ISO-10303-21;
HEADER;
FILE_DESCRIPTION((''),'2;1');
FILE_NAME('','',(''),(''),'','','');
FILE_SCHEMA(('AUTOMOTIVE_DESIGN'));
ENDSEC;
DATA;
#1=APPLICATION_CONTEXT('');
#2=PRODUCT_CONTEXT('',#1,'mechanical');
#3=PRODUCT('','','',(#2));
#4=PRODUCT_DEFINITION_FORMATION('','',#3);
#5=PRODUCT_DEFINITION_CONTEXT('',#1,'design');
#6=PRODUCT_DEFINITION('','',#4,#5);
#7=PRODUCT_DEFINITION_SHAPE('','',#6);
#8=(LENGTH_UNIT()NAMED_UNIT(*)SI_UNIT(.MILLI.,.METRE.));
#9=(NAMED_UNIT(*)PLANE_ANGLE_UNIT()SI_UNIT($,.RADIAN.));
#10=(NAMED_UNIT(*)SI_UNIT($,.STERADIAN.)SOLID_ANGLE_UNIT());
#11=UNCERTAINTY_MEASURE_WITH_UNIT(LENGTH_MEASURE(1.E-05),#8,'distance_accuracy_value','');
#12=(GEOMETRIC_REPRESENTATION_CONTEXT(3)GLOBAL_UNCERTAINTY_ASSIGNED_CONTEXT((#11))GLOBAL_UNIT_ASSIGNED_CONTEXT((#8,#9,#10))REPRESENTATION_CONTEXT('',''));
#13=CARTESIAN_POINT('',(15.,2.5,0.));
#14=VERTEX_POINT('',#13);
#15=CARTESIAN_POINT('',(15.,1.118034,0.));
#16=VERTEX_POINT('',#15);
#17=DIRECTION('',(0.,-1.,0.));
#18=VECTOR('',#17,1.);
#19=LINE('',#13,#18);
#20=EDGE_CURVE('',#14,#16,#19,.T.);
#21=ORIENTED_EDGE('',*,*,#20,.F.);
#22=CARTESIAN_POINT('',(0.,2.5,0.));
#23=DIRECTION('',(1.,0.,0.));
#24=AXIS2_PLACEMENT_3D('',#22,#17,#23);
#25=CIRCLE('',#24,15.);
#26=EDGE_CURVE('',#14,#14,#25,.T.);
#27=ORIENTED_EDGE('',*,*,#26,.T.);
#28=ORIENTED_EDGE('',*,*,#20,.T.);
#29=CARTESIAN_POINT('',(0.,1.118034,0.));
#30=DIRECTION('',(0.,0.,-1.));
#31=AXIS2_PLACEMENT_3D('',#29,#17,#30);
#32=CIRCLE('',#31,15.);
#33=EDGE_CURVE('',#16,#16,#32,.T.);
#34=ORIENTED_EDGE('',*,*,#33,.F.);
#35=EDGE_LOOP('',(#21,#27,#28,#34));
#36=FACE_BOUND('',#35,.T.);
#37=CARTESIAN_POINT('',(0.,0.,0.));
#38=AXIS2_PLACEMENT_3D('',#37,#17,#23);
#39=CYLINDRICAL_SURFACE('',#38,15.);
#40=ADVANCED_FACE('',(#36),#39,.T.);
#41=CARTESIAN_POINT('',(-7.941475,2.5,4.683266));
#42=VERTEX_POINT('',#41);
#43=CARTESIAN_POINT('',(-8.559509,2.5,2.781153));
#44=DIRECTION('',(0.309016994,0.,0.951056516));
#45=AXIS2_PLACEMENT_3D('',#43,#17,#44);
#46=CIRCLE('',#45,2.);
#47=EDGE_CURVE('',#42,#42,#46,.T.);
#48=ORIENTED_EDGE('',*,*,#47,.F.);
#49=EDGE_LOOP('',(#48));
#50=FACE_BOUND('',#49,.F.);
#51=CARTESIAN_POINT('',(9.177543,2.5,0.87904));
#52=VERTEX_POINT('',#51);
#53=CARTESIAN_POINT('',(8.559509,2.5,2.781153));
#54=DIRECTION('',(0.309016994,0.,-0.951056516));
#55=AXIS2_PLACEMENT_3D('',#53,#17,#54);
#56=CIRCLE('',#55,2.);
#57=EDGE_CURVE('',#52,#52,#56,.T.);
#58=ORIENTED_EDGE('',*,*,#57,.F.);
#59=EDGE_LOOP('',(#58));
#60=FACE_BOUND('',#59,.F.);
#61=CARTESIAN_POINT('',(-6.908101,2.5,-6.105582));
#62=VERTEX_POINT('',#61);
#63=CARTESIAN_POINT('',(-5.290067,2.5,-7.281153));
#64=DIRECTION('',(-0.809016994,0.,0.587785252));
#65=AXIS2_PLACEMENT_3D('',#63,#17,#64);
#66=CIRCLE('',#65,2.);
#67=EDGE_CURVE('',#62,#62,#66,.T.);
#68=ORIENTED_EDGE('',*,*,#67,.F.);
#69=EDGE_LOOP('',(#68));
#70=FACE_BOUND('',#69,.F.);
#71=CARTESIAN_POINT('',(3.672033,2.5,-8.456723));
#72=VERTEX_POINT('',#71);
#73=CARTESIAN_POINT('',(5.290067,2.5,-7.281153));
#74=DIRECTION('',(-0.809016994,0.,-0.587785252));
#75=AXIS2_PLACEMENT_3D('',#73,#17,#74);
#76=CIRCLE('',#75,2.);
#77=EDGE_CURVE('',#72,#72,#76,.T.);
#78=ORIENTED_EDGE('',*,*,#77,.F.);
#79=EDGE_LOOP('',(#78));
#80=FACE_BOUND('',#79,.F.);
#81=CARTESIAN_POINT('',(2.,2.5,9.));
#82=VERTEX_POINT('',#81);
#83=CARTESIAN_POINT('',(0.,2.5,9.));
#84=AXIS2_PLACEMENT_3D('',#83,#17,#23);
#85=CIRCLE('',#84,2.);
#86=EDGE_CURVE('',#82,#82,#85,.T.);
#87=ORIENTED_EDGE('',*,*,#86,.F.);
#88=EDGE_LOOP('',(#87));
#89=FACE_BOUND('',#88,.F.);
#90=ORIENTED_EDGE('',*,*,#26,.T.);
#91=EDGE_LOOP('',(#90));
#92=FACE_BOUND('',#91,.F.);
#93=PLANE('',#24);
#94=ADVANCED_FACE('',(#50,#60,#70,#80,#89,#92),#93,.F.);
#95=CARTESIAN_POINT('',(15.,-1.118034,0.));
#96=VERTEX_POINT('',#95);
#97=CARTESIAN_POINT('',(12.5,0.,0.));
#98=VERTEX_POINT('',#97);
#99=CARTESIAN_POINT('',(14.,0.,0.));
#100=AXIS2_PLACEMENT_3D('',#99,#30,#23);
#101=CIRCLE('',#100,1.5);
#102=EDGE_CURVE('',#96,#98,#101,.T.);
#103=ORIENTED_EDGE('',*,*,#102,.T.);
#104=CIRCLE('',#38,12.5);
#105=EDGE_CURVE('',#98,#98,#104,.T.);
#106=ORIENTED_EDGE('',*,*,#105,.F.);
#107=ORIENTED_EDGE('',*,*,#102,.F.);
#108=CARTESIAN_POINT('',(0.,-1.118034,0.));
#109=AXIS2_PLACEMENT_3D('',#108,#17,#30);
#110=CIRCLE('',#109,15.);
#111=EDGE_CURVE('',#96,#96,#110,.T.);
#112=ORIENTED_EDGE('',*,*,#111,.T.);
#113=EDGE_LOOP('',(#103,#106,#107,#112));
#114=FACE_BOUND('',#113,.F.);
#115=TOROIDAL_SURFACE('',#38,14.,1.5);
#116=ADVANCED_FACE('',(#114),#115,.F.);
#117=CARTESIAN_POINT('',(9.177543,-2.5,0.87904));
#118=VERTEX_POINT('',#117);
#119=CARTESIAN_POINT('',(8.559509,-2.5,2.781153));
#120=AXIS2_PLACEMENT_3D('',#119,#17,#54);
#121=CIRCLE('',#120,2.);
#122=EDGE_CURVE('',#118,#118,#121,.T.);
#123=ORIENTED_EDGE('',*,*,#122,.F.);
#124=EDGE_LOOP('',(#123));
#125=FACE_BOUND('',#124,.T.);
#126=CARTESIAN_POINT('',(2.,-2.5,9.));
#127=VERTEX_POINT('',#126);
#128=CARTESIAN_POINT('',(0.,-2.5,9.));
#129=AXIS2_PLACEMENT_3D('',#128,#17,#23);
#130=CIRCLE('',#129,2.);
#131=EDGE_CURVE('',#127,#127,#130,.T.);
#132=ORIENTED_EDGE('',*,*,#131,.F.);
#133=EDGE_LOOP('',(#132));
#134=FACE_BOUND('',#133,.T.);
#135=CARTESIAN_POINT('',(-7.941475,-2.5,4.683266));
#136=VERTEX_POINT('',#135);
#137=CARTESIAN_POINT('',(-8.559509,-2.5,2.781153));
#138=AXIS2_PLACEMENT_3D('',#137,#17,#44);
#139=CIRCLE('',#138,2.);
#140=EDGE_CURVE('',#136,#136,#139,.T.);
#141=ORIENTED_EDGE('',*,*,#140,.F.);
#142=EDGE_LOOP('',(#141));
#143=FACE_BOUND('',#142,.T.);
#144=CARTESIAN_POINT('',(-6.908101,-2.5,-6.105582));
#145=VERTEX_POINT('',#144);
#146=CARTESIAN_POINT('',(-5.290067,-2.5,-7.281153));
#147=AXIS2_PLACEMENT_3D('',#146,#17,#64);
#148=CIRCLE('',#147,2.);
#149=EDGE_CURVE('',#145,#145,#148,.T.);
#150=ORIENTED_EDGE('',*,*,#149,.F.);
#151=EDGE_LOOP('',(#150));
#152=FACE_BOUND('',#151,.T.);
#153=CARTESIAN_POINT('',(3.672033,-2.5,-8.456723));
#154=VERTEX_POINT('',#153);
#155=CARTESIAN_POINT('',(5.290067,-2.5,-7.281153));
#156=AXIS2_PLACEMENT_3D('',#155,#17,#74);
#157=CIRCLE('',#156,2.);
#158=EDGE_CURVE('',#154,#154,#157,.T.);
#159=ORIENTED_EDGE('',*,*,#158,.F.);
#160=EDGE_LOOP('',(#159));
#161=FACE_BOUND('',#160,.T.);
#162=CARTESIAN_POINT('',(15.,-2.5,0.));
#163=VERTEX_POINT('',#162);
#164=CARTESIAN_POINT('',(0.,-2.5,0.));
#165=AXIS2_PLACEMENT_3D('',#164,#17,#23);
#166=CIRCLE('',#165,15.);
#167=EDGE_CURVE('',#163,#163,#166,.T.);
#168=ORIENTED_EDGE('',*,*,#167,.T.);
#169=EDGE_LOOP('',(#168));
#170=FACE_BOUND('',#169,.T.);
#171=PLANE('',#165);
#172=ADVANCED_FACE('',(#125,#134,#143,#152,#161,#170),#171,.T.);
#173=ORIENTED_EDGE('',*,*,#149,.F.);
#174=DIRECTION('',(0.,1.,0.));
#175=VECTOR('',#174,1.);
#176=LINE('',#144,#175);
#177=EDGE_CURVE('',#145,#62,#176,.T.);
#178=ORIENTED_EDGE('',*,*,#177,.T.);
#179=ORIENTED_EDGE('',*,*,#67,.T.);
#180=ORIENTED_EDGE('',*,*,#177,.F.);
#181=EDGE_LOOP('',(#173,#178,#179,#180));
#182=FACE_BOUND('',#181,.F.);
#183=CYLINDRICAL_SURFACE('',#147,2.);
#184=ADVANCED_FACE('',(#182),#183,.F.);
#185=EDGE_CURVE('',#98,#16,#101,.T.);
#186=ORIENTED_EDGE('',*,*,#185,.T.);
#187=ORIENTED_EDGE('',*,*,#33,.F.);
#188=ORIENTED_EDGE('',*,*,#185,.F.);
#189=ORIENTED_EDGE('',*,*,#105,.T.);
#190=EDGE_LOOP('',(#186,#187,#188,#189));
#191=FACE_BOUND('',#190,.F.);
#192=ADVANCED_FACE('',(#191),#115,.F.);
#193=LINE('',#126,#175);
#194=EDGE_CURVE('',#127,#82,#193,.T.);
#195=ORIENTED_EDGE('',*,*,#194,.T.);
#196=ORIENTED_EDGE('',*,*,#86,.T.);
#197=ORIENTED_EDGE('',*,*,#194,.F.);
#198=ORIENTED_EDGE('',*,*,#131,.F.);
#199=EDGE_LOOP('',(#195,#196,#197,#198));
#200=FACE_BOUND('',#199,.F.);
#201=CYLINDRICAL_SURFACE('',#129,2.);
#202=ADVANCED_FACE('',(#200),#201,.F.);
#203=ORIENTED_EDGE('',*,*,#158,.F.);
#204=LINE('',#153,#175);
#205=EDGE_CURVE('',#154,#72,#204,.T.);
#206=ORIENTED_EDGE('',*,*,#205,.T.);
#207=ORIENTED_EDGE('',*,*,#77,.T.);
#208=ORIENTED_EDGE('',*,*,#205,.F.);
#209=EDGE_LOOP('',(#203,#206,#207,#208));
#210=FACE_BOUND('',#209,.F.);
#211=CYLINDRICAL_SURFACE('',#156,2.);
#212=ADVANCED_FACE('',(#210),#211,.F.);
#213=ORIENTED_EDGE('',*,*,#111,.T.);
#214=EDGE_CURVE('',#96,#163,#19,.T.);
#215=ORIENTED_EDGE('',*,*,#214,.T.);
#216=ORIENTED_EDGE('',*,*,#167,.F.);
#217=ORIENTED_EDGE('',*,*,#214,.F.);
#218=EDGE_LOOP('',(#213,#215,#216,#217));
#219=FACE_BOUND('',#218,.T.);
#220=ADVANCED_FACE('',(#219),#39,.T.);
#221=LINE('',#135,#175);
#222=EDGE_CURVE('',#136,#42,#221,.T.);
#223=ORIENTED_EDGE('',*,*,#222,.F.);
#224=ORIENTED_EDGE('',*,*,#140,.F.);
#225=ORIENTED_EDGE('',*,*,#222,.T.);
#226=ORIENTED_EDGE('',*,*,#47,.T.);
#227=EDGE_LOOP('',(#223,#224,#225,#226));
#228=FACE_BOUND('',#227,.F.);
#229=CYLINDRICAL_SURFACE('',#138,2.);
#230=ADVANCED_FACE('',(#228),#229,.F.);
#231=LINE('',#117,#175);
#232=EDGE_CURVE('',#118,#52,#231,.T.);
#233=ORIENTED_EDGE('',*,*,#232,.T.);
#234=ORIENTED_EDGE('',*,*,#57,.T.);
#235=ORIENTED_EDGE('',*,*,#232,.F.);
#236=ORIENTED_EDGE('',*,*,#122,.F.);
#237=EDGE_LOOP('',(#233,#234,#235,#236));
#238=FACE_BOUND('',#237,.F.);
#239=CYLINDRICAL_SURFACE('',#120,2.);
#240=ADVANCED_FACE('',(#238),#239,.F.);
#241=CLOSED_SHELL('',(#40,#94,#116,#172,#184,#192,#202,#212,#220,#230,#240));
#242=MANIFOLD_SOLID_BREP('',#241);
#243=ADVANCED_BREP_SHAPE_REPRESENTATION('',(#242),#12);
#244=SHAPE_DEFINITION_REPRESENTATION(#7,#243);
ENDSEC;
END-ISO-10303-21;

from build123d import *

# Parameters (mm, degrees)
SKETCH003_R        = 1.5
SKETCH_R           = 15
PAD_DEPTH          = 2.5
SKETCH005_R        = 2
POCKET001_DEPTH    = 90.441037
POLARPATTERN_COUNT = 5


with BuildPart() as body001:
    # AdditivePipe: sweep along a path in Sketch002
    with BuildLine(Plane.XZ) as additivepipe_path:
        CenterArc((0, 0), 9, 0, 360)
    # Sketch003 → AdditivePipe (sweep)
    with BuildSketch(Plane.XY):
        with Locations((-14, 0)):
            Circle(SKETCH003_R)
    sweep(path=additivepipe_path.line)


with BuildPart() as cut:
    # Sketch → Pad (new body, symmetric)
    with BuildSketch(Plane.XZ):
        Circle(SKETCH_R)
    extrude(amount=PAD_DEPTH, both=True)

    # Sketch005 → Pocket001 (cut, through all)
    with BuildSketch(Plane.XZ.offset(2.5)):
        with Locations((0, 9)):
            Circle(SKETCH005_R)
    pocket001 = extrude(amount=-POCKET001_DEPTH, mode=Mode.SUBTRACT)

    # PolarPattern: Pocket001 ×5 about axis
    polarpattern_axis = Axis((0, -2.5, 0), (0, -1, 0))
    for i in range(1, POLARPATTERN_COUNT):
        add(pocket001.rotate(polarpattern_axis, i * 360 / POLARPATTERN_COUNT), mode=Mode.SUBTRACT)

    # Cut: cut Body001
    add(body001.part, mode=Mode.SUBTRACT)


solid = cut.part
